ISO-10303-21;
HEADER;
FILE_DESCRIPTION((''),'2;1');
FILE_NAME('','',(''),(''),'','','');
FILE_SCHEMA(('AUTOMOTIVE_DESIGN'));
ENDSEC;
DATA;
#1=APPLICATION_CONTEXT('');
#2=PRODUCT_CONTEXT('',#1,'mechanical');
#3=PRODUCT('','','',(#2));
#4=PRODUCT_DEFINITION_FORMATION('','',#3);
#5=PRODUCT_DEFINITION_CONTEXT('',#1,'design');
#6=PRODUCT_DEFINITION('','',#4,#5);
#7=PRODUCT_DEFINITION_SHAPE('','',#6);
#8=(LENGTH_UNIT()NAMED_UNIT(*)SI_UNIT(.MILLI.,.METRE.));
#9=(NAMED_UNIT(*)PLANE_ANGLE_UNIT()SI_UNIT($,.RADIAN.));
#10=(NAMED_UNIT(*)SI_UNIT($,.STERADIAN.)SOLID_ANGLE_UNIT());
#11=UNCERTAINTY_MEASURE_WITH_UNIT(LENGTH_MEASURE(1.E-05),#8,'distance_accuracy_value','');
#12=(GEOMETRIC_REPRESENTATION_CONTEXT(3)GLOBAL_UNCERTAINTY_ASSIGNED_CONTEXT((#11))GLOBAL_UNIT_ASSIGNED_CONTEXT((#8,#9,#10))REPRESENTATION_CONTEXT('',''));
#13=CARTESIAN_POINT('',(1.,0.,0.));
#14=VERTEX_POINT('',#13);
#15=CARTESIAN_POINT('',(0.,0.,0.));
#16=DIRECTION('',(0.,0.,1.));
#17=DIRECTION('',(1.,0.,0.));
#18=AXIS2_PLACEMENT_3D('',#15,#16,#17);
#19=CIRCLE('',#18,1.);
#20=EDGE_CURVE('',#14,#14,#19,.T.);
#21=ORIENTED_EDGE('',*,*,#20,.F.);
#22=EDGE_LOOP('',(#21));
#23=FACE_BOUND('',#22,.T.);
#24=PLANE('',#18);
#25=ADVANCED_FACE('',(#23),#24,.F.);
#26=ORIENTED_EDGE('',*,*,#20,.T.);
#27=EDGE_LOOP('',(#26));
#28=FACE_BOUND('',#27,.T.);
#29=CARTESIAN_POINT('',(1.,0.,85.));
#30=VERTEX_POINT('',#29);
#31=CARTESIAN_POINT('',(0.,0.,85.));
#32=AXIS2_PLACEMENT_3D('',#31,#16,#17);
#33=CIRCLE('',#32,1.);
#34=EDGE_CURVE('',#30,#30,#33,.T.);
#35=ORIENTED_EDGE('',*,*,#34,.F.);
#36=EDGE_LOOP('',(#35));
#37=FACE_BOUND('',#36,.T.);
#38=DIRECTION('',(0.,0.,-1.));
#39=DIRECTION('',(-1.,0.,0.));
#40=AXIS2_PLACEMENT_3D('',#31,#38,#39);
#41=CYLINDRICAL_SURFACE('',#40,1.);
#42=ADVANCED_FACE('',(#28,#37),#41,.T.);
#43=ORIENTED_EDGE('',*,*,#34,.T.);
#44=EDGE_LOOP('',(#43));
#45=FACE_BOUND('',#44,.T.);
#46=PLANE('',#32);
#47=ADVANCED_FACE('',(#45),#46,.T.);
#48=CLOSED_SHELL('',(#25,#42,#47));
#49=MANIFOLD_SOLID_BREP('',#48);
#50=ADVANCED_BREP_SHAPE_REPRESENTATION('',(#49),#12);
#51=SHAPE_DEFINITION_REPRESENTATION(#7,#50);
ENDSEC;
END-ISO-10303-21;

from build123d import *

# Parameters (mm, degrees)
ESQUISSE1_R        = 1
BOSS_EXTRU_1_DEPTH = 85


with BuildPart() as part:
    # Esquisse1 → Boss.-Extru.1 (new body)
    with BuildSketch(Plane.XY):
        Circle(ESQUISSE1_R)
    extrude(amount=BOSS_EXTRU_1_DEPTH)


solid = part.part
